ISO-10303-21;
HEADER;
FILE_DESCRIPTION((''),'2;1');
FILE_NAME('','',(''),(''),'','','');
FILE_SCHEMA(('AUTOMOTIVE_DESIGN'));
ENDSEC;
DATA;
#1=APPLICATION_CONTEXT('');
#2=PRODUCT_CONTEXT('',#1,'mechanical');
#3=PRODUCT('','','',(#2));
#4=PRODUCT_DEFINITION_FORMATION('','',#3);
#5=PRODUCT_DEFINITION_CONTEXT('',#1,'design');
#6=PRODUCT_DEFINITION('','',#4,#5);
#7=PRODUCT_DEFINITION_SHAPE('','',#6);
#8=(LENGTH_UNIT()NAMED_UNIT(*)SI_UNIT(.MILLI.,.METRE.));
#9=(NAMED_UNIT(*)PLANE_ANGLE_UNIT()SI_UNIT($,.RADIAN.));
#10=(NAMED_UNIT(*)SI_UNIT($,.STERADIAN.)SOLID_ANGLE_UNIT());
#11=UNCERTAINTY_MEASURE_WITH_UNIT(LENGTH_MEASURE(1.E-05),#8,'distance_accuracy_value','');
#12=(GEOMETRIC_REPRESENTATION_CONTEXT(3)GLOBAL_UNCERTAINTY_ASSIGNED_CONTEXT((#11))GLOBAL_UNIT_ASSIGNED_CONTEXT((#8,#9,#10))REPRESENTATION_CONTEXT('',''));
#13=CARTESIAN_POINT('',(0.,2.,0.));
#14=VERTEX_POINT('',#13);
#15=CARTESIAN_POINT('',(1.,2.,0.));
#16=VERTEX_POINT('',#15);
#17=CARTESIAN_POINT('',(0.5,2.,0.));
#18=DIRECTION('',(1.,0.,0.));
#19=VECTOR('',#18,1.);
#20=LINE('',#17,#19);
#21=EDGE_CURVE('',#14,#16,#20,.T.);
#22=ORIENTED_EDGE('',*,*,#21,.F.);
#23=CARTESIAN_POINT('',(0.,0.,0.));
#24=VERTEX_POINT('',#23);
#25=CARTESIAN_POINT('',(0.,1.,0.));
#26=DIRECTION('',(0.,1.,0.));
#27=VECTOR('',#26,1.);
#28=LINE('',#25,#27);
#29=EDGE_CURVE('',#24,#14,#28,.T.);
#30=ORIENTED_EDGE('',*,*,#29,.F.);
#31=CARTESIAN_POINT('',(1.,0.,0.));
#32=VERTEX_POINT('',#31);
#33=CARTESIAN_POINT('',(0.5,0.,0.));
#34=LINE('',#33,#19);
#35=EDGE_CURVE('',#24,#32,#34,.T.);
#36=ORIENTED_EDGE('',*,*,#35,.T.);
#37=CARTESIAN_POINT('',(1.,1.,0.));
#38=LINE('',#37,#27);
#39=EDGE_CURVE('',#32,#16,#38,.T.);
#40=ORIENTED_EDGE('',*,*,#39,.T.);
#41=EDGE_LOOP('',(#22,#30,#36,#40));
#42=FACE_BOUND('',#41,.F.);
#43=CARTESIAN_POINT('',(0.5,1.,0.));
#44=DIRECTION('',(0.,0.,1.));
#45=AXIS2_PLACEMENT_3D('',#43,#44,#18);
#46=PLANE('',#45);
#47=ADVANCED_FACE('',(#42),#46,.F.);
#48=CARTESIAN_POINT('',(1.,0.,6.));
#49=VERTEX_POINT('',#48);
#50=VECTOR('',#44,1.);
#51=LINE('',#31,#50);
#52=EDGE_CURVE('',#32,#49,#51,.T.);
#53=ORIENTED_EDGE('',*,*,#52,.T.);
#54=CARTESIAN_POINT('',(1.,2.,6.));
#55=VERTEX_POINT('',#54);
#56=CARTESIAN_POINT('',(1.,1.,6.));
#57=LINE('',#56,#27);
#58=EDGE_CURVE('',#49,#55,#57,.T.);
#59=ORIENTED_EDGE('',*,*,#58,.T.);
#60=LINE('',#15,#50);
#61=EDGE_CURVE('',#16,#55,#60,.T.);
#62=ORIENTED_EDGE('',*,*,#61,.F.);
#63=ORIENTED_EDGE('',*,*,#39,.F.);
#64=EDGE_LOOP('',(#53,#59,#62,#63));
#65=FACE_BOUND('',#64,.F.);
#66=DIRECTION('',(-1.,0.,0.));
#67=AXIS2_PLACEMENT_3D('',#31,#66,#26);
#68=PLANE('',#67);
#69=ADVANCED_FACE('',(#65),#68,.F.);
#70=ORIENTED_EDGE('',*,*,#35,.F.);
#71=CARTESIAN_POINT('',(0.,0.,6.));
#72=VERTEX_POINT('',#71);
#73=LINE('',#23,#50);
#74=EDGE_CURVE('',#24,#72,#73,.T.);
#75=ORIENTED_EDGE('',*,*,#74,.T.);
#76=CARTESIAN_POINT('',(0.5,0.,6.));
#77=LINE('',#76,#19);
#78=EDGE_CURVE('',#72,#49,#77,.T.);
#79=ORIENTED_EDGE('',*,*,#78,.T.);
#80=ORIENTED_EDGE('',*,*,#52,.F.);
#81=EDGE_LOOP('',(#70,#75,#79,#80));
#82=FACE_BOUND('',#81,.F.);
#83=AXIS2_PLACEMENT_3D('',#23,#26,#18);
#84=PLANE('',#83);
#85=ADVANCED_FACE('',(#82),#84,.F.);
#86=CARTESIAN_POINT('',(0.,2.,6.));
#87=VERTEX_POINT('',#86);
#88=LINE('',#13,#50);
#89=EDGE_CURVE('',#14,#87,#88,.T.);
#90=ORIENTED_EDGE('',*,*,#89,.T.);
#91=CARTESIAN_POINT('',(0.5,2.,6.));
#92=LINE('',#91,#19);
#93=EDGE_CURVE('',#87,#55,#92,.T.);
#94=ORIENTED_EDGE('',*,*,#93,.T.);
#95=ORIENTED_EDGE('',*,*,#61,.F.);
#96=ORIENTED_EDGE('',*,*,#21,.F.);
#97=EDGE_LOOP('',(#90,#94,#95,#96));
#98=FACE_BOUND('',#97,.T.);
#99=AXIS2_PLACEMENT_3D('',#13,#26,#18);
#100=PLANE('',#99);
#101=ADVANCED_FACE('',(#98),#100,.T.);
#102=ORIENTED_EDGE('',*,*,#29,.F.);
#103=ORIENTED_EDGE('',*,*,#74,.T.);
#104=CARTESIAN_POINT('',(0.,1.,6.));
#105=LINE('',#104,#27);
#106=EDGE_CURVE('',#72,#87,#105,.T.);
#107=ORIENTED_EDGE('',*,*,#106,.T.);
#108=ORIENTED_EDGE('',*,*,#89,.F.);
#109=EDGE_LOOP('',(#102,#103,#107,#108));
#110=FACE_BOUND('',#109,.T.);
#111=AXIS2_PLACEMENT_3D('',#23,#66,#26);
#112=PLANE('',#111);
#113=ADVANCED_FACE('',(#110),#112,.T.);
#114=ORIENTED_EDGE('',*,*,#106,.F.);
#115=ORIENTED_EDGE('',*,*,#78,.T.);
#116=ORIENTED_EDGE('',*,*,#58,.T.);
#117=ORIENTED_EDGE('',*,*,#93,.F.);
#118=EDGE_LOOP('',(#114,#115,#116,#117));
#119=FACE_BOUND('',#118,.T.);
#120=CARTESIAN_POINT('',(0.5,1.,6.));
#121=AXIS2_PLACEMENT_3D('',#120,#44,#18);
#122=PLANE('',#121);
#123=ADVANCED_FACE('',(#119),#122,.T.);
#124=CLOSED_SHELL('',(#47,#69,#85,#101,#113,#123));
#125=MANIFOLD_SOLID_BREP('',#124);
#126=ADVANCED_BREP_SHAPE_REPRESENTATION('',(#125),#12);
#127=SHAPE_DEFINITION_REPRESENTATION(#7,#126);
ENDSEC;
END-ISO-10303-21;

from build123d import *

# Parameters (mm, degrees)
BOX_W     = 1
BOX_H     = 2
BOX_DEPTH = 6


with BuildPart() as part:
    # Box → Box (new body)
    with BuildSketch(Plane.XY):
        with Locations((0.5, 1)):
            Rectangle(BOX_W, BOX_H)
    extrude(amount=BOX_DEPTH)


solid = part.part
